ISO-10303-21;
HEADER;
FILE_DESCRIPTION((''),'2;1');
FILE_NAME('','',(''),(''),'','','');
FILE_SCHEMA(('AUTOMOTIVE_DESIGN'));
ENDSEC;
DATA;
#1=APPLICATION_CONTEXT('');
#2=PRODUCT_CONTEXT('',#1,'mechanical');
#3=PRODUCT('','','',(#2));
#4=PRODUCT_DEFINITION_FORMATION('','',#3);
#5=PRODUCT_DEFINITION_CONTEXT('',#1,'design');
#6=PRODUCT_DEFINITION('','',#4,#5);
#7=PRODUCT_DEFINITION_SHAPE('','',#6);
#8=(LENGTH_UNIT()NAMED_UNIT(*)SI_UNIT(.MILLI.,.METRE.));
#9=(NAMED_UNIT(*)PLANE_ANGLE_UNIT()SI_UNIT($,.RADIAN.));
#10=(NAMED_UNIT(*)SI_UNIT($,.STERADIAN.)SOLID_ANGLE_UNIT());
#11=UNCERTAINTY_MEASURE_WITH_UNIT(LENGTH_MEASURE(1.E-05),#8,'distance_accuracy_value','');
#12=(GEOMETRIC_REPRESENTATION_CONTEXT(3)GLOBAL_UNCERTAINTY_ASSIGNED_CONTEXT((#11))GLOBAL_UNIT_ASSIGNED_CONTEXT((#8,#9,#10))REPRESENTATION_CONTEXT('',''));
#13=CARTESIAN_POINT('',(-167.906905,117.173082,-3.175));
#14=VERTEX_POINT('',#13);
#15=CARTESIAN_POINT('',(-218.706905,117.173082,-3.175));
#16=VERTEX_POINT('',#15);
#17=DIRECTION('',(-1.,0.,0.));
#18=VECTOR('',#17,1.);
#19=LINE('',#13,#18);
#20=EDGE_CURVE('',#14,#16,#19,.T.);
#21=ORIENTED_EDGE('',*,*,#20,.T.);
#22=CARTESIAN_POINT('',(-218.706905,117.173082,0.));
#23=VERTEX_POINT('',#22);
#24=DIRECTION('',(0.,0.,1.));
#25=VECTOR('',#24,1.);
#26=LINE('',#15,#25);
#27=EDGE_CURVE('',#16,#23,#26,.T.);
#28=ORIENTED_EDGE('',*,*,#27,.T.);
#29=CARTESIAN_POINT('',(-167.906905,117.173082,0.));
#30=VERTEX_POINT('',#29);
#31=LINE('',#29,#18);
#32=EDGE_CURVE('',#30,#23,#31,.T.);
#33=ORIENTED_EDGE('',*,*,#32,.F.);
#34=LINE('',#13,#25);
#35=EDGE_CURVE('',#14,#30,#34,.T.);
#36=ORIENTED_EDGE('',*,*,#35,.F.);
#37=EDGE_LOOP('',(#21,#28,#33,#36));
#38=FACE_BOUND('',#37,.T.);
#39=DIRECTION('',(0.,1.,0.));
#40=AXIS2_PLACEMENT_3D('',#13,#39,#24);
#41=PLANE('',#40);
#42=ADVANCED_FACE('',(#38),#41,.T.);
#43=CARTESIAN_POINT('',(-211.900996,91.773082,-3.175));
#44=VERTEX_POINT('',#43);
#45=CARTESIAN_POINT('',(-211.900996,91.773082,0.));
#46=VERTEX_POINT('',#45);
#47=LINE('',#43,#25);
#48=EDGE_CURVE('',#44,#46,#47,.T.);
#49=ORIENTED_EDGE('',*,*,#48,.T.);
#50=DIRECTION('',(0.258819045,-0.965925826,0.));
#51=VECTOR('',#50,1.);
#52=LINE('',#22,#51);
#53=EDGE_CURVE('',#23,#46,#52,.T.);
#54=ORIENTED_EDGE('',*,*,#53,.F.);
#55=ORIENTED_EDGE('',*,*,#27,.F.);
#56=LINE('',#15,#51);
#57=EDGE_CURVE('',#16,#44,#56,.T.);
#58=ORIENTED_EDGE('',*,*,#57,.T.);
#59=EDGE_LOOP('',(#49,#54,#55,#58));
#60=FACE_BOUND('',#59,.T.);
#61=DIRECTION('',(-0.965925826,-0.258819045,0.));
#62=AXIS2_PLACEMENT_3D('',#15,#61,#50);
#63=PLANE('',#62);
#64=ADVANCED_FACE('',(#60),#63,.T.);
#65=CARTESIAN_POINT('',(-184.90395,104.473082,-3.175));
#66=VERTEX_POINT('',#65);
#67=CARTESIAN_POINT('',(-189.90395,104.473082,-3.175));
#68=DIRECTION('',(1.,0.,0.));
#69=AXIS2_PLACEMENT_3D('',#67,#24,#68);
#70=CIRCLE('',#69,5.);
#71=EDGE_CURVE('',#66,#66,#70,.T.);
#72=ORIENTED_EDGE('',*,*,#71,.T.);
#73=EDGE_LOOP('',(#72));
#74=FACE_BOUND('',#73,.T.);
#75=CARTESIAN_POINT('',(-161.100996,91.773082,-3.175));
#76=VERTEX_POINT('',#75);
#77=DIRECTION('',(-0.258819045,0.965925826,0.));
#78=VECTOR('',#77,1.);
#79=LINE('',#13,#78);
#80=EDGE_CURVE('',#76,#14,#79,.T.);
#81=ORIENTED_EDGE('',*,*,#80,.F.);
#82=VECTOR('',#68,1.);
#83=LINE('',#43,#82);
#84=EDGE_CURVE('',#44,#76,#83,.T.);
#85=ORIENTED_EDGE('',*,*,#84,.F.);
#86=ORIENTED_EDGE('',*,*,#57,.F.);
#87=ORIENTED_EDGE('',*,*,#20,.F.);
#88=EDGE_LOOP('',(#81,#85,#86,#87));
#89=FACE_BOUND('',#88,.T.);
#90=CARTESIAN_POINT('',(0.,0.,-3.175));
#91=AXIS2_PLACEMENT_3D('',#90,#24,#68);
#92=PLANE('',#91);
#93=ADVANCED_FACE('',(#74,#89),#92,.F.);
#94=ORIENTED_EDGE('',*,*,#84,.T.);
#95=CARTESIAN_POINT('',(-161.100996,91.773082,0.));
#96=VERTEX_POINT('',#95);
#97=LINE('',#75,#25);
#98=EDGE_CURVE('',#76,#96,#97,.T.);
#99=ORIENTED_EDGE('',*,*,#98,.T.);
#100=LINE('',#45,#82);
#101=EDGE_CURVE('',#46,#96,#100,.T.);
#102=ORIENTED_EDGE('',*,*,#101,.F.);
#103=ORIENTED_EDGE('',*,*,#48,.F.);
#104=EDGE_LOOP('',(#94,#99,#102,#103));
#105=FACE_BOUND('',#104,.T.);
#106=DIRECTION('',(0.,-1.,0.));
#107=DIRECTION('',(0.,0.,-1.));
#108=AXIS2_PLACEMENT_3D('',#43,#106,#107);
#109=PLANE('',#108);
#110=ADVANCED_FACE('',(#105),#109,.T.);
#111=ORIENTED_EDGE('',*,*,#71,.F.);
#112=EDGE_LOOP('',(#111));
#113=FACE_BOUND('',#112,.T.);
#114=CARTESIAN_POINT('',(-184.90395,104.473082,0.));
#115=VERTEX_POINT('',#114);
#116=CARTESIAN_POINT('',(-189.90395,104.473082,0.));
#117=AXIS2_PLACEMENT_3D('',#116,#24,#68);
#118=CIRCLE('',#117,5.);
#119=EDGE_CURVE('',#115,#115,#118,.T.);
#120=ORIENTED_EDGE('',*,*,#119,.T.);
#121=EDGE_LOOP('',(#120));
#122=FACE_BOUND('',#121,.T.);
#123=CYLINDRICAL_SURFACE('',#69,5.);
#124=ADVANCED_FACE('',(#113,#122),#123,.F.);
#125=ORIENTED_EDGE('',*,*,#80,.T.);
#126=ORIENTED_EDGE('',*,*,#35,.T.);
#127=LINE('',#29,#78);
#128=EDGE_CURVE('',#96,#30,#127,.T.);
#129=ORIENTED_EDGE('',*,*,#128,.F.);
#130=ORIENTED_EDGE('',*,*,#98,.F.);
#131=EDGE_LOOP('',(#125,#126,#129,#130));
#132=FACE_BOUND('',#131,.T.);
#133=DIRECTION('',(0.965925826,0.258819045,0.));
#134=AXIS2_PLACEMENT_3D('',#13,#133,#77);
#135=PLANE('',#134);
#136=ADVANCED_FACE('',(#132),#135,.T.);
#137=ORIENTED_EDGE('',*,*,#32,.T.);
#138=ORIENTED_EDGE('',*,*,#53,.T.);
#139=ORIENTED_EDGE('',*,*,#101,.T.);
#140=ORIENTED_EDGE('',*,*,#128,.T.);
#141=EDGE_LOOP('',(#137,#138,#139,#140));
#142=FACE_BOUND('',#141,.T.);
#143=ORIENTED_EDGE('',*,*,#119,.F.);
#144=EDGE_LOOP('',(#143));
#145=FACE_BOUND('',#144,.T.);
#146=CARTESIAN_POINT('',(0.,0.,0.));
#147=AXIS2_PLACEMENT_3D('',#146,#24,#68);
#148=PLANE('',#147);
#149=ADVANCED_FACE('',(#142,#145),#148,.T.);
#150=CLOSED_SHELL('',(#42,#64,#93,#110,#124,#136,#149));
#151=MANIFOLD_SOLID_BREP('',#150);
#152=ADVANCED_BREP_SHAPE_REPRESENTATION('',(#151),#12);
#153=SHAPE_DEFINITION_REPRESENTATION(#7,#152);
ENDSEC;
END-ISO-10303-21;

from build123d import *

# Parameters (mm, degrees)
SKETCH1_R           = 5
BOSS_EXTRUDE1_DEPTH = 3.175


with BuildPart() as part:
    # Sketch1 → Boss-Extrude1 (new body)
    with BuildSketch(Plane.XY):
        Polygon((-218.70690504, 117.173081746), (-211.900995552, 91.773081746), (-161.100995552, 91.773081746), (-167.90690504, 117.173081746), align=None)
        with Locations((-189.903950296, 104.473081746)):
            Circle(SKETCH1_R, mode=Mode.SUBTRACT)
    extrude(amount=-BOSS_EXTRUDE1_DEPTH)


solid = part.part
